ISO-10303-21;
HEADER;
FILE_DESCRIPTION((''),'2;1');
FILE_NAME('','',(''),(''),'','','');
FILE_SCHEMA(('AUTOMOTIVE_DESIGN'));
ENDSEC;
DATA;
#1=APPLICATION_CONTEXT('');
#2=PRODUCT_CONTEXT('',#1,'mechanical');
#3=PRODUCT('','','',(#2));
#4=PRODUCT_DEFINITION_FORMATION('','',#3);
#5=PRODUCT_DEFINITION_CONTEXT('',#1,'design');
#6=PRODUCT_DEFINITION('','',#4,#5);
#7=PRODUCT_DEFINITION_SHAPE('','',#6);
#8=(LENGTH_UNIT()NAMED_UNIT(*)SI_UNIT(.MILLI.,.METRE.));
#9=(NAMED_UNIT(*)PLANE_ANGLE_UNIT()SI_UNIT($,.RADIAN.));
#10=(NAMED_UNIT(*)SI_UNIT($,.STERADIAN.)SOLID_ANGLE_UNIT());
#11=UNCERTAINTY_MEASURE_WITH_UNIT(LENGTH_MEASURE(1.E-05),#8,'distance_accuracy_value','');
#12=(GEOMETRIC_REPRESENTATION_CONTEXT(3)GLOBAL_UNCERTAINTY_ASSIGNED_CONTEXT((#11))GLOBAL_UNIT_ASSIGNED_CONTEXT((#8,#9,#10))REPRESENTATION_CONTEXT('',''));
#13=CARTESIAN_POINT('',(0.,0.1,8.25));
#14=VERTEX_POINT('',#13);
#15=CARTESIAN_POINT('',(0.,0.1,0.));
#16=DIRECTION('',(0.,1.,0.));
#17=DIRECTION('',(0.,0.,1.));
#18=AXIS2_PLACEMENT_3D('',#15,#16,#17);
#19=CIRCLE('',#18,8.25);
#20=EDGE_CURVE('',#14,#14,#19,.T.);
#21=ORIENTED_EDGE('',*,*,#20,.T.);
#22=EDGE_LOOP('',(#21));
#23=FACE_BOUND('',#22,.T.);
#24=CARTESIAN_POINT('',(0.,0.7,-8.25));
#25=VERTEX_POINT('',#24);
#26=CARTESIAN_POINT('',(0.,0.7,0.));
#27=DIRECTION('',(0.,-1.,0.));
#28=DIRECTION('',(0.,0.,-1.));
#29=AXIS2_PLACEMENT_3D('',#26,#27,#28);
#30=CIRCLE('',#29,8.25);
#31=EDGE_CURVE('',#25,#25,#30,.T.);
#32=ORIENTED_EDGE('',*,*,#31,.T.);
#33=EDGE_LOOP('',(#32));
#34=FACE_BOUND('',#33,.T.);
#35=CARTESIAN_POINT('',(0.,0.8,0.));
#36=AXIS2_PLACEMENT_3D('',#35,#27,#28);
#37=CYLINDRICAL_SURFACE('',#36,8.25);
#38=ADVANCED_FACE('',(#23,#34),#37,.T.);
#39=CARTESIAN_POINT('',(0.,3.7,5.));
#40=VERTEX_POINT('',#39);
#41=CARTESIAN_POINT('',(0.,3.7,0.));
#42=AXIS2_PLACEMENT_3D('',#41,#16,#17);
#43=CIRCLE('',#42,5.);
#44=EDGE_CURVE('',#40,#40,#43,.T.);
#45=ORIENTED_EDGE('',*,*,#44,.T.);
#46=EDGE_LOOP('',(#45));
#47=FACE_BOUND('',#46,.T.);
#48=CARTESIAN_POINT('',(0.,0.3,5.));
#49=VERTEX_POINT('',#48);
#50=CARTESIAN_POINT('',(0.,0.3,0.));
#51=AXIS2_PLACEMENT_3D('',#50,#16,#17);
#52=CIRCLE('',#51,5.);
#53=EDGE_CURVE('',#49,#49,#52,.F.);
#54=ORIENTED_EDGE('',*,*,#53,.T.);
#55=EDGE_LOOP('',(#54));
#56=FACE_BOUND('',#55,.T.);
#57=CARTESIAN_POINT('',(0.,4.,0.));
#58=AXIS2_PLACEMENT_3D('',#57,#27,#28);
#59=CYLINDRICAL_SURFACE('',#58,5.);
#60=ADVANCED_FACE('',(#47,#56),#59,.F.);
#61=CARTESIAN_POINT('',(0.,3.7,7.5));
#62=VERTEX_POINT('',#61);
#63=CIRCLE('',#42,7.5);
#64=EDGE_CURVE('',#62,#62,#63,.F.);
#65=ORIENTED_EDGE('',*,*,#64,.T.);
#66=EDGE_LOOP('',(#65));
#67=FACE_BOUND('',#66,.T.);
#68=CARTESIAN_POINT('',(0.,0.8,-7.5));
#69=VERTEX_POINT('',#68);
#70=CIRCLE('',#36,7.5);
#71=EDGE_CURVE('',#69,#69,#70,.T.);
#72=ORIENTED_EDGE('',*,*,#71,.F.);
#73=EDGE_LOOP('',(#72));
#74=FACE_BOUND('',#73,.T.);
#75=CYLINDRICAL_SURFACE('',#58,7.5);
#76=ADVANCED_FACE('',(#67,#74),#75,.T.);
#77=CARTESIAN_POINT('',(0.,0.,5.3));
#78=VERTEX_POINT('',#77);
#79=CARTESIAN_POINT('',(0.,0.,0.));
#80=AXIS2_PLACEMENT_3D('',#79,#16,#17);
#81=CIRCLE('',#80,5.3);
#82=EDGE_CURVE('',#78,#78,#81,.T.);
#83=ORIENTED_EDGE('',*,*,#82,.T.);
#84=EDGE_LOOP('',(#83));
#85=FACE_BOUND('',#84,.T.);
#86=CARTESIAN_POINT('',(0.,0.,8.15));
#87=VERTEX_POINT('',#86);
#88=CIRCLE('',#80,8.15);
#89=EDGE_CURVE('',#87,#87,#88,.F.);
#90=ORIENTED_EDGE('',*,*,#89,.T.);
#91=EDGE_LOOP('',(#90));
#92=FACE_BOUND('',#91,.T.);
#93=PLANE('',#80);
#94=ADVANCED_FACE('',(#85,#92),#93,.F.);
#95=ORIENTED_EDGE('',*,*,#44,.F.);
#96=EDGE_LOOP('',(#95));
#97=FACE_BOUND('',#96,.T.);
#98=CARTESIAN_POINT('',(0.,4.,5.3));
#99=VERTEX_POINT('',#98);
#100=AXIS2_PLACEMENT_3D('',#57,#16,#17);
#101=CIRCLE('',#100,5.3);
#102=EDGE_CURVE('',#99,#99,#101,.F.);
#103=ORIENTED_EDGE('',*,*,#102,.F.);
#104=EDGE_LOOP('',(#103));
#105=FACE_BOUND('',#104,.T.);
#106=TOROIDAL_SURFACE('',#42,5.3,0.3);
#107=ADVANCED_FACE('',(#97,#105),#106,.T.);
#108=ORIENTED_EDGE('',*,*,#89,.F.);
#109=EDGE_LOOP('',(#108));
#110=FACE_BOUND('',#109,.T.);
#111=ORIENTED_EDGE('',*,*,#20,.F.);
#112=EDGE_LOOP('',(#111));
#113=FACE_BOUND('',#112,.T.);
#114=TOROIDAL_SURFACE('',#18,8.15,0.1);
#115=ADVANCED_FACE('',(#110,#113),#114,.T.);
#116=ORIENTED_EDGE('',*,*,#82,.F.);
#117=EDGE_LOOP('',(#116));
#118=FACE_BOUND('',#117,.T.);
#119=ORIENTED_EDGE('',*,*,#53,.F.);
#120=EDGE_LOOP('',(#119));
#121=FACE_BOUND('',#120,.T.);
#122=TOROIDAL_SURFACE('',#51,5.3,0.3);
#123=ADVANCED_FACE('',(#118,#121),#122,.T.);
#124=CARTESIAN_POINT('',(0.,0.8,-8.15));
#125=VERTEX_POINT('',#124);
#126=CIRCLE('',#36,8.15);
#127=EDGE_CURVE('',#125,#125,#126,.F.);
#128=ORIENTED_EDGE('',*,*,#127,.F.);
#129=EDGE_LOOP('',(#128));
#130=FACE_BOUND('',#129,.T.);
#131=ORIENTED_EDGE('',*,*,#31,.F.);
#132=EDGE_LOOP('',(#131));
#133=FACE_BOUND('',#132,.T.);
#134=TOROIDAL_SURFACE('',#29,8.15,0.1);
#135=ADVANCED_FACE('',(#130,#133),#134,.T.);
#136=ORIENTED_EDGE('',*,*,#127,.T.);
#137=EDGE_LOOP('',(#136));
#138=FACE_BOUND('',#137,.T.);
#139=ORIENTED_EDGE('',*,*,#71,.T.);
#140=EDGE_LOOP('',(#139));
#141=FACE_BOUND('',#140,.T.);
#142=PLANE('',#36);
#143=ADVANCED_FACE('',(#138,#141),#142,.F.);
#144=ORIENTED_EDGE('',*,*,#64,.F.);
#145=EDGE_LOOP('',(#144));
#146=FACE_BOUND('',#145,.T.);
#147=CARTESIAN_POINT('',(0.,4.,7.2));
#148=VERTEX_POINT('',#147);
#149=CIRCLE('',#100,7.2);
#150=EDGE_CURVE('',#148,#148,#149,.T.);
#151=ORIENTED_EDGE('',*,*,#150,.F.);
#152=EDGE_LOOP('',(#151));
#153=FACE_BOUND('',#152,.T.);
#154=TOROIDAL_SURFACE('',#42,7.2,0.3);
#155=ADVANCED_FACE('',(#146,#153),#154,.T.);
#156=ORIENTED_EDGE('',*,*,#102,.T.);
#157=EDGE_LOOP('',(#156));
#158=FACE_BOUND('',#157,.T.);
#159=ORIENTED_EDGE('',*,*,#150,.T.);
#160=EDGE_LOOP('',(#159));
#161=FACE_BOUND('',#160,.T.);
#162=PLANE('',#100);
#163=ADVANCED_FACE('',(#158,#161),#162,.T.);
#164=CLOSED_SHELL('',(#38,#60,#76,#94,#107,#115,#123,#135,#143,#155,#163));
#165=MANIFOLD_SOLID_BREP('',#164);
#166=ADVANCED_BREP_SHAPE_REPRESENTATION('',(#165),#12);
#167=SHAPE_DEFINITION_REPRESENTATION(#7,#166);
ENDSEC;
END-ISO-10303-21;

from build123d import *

# Parameters (mm, degrees)
SKETCH1_R           = 7.5
SKETCH1_R_2         = 5
BOSS_EXTRUDE1_DEPTH = 4
SKETCH2_R           = 8.25
SKETCH2_R_2         = 5
BOSS_EXTRUDE2_DEPTH = 0.8
FILLET1_R           = 0.3
FILLET2_R           = 0.1


with BuildPart() as part:
    # Sketch1 → Boss-Extrude1 (new body)
    with BuildSketch(Plane(origin=(0, 0, 0), x_dir=(1, 0, 0), z_dir=(0, 1, 0))):
        with Locations(Location((0, 0, 0), (0, 0, 270))):
            Circle(SKETCH1_R)
        with Locations(Location((0, 0, 0), (0, 0, 270))):
            Circle(SKETCH1_R_2, mode=Mode.SUBTRACT)
    extrude(amount=BOSS_EXTRUDE1_DEPTH)

    # Sketch2 → Boss-Extrude2 (add)
    with BuildSketch(Plane.XZ):
        with Locations(Location((0, 0, 0), (0, 0, 270))):
            Circle(SKETCH2_R)
        with Locations(Location((0, 0, 0), (0, 0, 90))):
            Circle(SKETCH2_R_2, mode=Mode.SUBTRACT)
    extrude(amount=-BOSS_EXTRUDE2_DEPTH)

    # Fillet1
    fillet1_edges = [part.edges().sort_by_distance(p)[0] for p in [
        (0, 4, -7.5),
        (0, 0, -5),
        (0, 4, -5),
    ]]
    fillet(fillet1_edges, radius=FILLET1_R)

    # Fillet2
    fillet2_edges = [part.edges().sort_by_distance(p)[0] for p in [
        (0, 0, 8.25),
        (0, 0.8, 8.25),
    ]]
    fillet(fillet2_edges, radius=FILLET2_R)


solid = part.part
